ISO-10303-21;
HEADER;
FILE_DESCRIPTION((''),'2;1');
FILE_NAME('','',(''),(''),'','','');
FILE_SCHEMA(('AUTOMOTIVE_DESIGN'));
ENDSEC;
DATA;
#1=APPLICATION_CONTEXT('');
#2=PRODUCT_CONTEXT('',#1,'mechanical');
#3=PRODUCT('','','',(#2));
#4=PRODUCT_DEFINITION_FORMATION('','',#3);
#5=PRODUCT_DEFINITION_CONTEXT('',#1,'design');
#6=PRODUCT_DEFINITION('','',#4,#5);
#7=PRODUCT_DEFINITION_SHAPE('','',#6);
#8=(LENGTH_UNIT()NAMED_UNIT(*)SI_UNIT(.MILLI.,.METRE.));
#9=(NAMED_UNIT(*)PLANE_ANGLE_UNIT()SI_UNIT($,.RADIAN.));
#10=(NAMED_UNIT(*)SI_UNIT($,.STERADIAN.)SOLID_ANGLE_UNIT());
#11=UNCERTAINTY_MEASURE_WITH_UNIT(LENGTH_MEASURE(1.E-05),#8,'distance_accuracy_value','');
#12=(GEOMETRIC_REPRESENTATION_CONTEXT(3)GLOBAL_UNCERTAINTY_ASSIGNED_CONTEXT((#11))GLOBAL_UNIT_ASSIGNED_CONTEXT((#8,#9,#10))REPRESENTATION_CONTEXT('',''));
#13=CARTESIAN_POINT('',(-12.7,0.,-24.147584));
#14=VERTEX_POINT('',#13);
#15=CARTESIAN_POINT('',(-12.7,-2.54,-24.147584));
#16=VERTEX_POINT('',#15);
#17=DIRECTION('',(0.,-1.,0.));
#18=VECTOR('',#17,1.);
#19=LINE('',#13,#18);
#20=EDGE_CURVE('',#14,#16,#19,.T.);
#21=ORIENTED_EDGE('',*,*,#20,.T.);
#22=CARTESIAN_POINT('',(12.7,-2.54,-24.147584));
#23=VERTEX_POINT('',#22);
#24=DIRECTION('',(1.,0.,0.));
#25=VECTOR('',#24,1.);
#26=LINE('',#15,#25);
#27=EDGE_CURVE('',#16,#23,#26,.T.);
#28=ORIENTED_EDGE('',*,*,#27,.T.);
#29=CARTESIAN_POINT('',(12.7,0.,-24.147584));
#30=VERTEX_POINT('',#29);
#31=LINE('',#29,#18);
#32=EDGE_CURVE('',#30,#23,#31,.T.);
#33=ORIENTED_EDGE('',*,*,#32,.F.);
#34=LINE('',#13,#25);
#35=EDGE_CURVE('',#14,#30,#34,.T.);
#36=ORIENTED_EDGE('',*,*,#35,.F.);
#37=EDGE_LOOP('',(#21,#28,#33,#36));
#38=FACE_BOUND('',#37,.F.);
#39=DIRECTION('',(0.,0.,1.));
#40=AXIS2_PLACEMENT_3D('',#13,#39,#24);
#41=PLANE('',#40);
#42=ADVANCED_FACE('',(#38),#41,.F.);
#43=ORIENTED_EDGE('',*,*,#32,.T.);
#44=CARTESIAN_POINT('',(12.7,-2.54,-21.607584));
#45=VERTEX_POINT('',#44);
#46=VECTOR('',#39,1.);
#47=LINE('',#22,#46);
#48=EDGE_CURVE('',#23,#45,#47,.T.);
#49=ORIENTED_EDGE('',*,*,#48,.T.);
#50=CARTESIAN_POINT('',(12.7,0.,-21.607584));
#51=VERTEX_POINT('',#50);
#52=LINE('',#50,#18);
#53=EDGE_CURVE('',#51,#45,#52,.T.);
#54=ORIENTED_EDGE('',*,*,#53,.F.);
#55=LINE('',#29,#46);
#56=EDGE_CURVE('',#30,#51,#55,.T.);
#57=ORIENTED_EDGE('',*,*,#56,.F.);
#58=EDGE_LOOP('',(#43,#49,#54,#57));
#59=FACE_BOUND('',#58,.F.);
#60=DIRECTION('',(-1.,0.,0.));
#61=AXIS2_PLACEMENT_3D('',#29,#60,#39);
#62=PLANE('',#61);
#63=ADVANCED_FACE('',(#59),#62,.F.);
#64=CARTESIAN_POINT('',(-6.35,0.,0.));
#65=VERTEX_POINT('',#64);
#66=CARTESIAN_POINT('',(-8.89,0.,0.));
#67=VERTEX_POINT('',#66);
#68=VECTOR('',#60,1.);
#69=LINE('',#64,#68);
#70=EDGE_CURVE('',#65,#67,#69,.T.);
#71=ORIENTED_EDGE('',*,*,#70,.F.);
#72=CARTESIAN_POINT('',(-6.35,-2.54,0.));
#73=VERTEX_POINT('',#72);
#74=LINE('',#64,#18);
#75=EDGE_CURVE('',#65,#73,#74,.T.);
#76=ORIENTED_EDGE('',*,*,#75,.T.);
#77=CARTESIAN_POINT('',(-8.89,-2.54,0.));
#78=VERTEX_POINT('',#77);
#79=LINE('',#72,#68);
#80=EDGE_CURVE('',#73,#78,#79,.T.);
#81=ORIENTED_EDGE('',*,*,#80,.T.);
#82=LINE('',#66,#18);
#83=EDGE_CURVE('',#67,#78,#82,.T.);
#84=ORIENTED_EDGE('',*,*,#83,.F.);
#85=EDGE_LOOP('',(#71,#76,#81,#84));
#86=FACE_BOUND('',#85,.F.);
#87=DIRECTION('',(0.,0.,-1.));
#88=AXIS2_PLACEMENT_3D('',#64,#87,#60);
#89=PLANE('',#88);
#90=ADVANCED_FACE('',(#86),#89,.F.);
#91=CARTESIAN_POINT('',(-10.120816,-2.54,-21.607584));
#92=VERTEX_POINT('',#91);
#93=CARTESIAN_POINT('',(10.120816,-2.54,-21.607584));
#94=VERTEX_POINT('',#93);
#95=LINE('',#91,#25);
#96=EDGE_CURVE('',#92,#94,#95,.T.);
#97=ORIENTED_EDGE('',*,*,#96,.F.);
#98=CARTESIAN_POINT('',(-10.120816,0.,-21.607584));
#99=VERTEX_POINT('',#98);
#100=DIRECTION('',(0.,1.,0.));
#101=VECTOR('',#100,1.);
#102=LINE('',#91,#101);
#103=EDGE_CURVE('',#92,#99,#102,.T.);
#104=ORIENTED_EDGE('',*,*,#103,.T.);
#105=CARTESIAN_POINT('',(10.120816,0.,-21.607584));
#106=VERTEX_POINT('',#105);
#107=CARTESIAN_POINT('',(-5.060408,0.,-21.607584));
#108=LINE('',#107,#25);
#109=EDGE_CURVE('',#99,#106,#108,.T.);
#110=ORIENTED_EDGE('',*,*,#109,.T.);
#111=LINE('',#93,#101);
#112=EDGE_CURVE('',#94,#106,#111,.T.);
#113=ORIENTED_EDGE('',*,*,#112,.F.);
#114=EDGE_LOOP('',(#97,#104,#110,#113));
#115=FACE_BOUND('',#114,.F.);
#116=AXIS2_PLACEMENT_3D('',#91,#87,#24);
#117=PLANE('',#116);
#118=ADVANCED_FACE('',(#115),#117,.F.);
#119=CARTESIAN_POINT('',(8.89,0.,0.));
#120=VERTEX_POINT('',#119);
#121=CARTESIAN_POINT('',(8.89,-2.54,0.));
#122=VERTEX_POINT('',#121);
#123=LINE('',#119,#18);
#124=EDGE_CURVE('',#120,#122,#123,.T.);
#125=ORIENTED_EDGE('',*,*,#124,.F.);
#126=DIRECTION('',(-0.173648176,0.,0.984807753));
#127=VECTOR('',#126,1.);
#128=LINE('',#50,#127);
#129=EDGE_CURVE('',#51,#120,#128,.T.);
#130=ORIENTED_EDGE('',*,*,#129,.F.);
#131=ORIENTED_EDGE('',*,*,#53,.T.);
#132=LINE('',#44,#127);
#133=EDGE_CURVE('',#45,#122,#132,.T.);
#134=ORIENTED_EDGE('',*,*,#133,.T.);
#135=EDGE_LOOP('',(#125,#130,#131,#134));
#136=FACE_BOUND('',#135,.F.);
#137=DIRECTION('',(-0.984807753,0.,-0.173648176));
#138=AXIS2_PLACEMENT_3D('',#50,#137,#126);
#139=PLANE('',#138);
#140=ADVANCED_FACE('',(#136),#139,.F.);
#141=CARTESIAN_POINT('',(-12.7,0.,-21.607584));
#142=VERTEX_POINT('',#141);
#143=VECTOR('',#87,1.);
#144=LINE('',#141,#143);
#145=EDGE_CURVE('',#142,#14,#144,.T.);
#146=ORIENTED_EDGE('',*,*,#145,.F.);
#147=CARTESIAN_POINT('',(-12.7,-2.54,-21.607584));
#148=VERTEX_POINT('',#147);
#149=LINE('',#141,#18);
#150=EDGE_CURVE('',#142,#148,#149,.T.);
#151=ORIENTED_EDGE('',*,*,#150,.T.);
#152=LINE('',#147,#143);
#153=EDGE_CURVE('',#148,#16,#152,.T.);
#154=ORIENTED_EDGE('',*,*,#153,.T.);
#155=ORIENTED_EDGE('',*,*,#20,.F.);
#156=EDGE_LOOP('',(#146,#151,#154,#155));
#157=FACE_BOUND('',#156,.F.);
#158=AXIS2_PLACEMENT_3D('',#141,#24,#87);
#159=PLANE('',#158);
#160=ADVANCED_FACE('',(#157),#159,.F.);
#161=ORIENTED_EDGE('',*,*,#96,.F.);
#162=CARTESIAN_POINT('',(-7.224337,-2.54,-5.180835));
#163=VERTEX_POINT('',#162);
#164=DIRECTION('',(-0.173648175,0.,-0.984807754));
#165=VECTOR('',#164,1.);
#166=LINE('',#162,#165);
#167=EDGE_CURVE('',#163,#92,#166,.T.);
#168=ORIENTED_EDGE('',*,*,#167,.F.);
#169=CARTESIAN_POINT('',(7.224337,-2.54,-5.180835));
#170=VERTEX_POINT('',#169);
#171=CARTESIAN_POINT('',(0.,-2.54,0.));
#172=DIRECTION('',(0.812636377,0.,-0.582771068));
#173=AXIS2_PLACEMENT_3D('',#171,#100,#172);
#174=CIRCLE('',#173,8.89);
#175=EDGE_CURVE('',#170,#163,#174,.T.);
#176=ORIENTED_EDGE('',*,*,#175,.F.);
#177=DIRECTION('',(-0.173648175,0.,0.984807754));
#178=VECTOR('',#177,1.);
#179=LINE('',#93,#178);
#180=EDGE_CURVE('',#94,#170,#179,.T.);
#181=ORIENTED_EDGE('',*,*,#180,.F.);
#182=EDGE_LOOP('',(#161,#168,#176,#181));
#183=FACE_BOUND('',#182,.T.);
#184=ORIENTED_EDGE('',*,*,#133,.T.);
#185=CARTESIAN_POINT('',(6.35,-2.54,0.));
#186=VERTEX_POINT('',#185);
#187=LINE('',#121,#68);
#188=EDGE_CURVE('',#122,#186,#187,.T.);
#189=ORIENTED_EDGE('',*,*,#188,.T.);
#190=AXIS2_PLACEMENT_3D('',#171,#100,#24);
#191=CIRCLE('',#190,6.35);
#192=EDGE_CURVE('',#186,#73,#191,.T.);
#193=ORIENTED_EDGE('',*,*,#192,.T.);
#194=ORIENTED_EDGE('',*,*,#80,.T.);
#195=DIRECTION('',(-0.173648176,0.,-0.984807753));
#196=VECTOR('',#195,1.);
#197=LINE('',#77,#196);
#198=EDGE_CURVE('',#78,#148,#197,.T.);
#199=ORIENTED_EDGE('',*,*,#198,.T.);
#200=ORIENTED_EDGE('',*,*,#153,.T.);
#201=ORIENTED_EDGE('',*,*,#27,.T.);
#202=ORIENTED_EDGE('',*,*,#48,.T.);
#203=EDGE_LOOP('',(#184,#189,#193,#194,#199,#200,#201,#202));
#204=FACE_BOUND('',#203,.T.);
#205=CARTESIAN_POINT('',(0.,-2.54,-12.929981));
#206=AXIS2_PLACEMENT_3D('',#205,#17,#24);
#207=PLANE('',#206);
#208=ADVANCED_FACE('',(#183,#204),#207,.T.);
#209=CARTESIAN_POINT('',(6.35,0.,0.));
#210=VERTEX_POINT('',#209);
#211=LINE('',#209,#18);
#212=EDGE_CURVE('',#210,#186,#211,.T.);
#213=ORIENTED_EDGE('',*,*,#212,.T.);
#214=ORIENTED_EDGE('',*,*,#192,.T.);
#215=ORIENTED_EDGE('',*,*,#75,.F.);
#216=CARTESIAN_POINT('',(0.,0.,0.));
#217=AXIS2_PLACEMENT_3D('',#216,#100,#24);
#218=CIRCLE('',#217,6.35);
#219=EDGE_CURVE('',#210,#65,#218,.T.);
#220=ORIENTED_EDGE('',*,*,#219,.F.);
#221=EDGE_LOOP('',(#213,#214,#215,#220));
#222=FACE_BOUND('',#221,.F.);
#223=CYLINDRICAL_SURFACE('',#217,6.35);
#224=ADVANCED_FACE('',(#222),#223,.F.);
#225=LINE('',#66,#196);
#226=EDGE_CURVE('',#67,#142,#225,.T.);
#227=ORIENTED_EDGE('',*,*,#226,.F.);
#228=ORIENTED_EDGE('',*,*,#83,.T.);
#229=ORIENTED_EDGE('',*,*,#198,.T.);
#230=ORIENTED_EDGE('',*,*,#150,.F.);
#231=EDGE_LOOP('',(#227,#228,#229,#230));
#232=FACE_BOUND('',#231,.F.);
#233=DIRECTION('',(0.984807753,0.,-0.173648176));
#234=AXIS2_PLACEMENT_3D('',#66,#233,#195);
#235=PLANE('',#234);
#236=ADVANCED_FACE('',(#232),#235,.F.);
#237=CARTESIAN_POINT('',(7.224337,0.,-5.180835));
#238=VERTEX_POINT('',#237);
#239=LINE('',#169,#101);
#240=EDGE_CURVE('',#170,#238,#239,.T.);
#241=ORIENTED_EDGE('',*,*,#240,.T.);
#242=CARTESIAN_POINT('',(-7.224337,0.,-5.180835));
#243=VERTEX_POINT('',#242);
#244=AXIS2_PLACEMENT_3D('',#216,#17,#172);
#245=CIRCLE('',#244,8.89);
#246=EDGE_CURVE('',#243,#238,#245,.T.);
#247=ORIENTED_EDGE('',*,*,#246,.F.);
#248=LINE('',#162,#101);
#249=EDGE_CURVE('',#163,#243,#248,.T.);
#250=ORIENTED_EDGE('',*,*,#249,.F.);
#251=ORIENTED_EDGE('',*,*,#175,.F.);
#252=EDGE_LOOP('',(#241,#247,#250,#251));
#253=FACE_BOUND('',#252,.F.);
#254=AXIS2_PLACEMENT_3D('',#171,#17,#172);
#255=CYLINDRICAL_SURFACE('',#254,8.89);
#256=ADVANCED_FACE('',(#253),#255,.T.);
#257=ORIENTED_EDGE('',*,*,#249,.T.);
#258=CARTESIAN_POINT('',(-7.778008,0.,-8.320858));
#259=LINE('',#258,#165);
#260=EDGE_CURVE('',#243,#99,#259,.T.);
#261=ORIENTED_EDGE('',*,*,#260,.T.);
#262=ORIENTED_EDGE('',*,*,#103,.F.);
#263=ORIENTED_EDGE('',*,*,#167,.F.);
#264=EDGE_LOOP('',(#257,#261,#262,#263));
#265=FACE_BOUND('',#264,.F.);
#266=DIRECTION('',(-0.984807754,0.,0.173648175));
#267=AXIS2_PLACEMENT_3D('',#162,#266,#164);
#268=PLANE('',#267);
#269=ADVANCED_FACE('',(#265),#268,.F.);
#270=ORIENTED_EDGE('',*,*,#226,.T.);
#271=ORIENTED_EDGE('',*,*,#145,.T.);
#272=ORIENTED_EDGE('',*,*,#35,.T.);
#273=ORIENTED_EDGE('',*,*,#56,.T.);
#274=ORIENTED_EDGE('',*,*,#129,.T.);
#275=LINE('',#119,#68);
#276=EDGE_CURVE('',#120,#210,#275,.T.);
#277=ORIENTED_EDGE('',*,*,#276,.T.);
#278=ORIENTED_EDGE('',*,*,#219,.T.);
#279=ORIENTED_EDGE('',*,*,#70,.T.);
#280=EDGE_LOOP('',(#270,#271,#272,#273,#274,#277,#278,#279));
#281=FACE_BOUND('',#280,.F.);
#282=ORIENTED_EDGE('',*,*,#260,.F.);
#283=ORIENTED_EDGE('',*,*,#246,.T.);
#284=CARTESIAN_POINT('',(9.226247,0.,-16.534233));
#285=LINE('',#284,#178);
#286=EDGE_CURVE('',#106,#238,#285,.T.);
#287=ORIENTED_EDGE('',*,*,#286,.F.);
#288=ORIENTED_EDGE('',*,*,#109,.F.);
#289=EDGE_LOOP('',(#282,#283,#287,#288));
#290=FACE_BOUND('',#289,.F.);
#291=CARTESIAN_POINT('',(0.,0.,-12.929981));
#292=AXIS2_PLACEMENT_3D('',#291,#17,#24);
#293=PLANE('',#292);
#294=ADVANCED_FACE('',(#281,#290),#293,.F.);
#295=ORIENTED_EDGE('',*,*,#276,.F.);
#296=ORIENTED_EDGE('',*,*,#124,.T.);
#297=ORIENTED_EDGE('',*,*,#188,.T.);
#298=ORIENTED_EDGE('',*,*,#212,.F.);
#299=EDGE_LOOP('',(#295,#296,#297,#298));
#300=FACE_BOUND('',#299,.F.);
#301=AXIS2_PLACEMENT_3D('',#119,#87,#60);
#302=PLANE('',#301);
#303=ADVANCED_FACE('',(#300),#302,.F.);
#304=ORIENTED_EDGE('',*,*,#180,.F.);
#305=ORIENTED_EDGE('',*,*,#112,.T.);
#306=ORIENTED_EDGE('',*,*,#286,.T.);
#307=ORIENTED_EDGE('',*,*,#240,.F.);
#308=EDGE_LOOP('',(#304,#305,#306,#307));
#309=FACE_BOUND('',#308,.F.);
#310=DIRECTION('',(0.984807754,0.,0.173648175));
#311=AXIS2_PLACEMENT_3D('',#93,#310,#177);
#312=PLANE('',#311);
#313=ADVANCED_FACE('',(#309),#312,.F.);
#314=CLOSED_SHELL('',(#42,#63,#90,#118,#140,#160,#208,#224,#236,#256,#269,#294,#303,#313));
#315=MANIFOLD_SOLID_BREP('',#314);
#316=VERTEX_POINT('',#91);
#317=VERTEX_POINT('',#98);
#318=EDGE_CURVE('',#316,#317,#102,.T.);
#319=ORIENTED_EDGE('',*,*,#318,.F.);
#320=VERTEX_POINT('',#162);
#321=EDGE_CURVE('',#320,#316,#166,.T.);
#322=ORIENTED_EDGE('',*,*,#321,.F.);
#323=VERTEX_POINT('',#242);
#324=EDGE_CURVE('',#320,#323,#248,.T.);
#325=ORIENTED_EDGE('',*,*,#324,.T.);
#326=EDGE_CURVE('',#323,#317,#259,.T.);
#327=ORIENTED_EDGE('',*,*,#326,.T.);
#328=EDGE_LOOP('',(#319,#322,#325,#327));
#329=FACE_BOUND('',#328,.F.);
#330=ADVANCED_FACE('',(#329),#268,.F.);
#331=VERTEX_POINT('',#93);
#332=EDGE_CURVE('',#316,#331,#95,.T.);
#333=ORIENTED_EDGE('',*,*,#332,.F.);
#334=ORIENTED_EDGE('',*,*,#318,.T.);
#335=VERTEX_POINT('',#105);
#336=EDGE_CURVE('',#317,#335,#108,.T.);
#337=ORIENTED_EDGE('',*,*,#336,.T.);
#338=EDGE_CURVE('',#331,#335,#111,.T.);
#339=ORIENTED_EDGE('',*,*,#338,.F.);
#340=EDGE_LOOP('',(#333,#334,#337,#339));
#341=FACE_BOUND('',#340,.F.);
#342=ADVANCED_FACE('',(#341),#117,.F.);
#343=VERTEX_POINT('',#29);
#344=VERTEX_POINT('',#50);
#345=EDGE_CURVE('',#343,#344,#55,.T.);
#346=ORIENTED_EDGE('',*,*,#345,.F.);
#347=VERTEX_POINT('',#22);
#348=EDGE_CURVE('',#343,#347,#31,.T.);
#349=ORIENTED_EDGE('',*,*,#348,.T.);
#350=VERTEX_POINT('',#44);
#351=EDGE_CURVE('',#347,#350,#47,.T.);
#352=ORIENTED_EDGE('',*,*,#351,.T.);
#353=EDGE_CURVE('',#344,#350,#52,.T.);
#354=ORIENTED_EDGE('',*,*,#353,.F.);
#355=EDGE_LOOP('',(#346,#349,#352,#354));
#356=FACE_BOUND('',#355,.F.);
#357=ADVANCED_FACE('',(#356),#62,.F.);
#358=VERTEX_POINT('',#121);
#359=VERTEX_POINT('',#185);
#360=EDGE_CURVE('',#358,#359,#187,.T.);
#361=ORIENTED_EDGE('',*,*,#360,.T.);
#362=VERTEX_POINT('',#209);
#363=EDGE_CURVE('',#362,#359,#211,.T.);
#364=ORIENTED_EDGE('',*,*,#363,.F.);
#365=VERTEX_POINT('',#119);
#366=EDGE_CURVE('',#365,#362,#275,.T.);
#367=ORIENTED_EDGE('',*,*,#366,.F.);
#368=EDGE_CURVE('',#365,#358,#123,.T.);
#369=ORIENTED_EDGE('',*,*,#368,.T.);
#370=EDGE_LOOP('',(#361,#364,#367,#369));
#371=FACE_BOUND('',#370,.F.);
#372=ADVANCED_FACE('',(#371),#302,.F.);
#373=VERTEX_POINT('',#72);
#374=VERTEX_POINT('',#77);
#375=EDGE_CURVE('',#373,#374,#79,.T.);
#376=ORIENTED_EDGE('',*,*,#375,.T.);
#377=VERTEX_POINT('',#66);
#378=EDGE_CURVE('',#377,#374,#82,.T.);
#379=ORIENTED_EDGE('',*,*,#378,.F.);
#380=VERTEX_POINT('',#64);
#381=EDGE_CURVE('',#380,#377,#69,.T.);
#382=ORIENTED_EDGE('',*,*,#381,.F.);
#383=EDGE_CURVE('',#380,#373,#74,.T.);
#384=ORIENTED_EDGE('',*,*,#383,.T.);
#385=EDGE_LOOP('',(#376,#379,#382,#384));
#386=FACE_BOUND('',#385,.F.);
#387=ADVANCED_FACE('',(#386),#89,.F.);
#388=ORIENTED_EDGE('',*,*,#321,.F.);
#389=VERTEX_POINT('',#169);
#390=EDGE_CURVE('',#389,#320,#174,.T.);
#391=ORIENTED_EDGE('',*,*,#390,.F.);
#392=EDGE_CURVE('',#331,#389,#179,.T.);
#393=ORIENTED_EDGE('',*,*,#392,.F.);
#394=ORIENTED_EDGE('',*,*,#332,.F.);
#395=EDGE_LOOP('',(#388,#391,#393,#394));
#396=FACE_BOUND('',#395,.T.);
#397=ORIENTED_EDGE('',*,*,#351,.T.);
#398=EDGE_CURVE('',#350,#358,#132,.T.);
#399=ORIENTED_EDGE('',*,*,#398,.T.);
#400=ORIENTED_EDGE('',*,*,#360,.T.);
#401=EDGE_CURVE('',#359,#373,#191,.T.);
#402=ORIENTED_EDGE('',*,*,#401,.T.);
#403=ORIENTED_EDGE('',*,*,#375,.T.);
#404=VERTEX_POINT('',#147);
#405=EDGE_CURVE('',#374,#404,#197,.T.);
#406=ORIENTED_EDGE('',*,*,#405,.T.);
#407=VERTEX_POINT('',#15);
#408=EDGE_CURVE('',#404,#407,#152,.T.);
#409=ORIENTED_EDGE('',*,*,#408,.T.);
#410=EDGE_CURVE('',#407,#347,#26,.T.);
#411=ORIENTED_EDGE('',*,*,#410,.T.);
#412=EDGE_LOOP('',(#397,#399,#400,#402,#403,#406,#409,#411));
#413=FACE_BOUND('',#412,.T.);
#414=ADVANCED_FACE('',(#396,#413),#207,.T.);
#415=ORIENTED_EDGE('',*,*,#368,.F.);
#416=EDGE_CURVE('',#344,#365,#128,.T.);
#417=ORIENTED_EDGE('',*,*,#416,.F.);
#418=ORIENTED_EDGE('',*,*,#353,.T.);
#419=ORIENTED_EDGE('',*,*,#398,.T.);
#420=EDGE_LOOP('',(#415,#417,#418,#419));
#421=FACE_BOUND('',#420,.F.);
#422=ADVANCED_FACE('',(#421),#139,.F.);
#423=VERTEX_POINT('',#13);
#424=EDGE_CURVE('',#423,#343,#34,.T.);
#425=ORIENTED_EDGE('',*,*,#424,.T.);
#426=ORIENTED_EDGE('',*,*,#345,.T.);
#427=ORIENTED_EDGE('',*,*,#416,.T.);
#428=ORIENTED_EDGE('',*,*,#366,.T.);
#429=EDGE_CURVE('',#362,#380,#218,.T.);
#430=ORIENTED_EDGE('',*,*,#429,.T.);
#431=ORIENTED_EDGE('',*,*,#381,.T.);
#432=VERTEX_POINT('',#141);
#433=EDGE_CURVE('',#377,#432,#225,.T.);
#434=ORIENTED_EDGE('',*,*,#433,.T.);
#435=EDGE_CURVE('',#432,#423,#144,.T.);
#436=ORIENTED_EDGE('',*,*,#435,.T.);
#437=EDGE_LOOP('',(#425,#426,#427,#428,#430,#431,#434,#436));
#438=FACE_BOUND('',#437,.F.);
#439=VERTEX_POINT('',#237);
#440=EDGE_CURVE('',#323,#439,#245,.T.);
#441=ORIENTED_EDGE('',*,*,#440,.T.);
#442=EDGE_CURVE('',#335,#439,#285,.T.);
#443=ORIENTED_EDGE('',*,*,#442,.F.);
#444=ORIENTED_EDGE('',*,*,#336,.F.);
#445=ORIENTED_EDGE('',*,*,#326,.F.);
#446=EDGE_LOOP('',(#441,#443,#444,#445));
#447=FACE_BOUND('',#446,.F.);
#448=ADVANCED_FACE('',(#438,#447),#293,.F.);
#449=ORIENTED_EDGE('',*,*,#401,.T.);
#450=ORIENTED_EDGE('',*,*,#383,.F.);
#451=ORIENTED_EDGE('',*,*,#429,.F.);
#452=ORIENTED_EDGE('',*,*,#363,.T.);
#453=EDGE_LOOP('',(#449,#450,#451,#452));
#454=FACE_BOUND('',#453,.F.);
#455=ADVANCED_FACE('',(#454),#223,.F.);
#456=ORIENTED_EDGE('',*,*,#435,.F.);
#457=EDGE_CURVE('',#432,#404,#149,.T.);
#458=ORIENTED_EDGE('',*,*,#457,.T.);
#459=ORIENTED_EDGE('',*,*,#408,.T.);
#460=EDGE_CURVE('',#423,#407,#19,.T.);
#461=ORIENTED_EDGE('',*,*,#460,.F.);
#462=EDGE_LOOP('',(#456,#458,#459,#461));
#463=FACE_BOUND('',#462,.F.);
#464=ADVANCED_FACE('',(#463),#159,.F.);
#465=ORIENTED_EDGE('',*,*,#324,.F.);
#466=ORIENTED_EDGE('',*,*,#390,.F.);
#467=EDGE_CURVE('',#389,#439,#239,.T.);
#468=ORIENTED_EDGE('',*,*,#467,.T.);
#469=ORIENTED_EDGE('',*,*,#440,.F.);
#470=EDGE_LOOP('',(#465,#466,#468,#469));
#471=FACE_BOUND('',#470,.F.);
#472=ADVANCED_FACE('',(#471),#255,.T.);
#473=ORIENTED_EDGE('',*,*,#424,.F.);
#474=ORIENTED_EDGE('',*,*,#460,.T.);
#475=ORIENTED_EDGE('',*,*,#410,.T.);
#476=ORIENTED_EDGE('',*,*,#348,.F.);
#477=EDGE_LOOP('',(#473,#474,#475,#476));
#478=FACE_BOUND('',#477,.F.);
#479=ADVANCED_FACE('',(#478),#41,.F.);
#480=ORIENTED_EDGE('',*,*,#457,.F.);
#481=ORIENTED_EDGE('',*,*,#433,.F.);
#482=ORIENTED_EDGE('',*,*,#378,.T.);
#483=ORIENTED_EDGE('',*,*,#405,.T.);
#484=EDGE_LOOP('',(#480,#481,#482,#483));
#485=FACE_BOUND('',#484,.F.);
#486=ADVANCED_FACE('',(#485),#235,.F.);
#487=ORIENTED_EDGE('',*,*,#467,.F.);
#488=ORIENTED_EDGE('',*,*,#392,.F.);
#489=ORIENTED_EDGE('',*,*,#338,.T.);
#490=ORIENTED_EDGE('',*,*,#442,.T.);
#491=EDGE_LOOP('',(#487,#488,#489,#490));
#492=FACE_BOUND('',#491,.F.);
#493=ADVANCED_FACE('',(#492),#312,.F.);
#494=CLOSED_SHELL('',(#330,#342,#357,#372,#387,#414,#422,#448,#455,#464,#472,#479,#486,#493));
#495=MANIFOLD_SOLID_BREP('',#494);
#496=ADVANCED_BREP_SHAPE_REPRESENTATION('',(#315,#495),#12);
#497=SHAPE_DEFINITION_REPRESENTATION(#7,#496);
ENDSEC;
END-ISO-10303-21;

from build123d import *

# Parameters (mm, degrees)
F1_DEPTH = 2.54
F4_DEPTH = 2.541


with BuildPart() as f1:
    # F0 (on Front) → F1 (new body)
    with BuildSketch(Plane.XZ):
        with BuildLine():
            ThreePointArc((6.35, 0), (0, -6.35), (-6.35, 0))
            Line((-6.35, 0), (-8.89, 0))
            Line((-8.89, 0), (-12.7, -21.607584))
            Line((-12.7, -21.607584), (-12.7, -24.147584))
            Line((-12.7, -24.147584), (12.7, -24.147584))
            Line((12.7, -24.147584), (12.7, -21.607584))
            Line((12.7, -21.607584), (8.89, 0))
            Line((8.89, 0), (6.35, 0))
        make_face()
    extrude(amount=F1_DEPTH)


with BuildPart() as f2_1:
    # F2: copy of F1
    add(f1.part)


with BuildPart() as f4_tool:
    # F3 (on face) → F4 (new body, through all)
    with BuildSketch(Plane.XZ.offset(2.54)):
        with BuildLine():
            Line((-7.224337, -5.180835), (-10.120816, -21.607584))
            Line((-10.120816, -21.607584), (10.120816, -21.607584))
            Line((10.120816, -21.607584), (7.224337, -5.180835))
            ThreePointArc((7.224337, -5.180835), (0, -8.89), (-7.224337, -5.180835))
        make_face()
    extrude(amount=-F4_DEPTH)


with BuildPart() as f1_1:
    add(f1.part)

    # F4: cut by f4_tool
    add(f4_tool.part, mode=Mode.SUBTRACT)


with BuildPart() as f2_1_1:
    add(f2_1.part)

    # F4: cut by f4_tool
    add(f4_tool.part, mode=Mode.SUBTRACT)


solid = Compound([f1_1.part, f2_1_1.part])
